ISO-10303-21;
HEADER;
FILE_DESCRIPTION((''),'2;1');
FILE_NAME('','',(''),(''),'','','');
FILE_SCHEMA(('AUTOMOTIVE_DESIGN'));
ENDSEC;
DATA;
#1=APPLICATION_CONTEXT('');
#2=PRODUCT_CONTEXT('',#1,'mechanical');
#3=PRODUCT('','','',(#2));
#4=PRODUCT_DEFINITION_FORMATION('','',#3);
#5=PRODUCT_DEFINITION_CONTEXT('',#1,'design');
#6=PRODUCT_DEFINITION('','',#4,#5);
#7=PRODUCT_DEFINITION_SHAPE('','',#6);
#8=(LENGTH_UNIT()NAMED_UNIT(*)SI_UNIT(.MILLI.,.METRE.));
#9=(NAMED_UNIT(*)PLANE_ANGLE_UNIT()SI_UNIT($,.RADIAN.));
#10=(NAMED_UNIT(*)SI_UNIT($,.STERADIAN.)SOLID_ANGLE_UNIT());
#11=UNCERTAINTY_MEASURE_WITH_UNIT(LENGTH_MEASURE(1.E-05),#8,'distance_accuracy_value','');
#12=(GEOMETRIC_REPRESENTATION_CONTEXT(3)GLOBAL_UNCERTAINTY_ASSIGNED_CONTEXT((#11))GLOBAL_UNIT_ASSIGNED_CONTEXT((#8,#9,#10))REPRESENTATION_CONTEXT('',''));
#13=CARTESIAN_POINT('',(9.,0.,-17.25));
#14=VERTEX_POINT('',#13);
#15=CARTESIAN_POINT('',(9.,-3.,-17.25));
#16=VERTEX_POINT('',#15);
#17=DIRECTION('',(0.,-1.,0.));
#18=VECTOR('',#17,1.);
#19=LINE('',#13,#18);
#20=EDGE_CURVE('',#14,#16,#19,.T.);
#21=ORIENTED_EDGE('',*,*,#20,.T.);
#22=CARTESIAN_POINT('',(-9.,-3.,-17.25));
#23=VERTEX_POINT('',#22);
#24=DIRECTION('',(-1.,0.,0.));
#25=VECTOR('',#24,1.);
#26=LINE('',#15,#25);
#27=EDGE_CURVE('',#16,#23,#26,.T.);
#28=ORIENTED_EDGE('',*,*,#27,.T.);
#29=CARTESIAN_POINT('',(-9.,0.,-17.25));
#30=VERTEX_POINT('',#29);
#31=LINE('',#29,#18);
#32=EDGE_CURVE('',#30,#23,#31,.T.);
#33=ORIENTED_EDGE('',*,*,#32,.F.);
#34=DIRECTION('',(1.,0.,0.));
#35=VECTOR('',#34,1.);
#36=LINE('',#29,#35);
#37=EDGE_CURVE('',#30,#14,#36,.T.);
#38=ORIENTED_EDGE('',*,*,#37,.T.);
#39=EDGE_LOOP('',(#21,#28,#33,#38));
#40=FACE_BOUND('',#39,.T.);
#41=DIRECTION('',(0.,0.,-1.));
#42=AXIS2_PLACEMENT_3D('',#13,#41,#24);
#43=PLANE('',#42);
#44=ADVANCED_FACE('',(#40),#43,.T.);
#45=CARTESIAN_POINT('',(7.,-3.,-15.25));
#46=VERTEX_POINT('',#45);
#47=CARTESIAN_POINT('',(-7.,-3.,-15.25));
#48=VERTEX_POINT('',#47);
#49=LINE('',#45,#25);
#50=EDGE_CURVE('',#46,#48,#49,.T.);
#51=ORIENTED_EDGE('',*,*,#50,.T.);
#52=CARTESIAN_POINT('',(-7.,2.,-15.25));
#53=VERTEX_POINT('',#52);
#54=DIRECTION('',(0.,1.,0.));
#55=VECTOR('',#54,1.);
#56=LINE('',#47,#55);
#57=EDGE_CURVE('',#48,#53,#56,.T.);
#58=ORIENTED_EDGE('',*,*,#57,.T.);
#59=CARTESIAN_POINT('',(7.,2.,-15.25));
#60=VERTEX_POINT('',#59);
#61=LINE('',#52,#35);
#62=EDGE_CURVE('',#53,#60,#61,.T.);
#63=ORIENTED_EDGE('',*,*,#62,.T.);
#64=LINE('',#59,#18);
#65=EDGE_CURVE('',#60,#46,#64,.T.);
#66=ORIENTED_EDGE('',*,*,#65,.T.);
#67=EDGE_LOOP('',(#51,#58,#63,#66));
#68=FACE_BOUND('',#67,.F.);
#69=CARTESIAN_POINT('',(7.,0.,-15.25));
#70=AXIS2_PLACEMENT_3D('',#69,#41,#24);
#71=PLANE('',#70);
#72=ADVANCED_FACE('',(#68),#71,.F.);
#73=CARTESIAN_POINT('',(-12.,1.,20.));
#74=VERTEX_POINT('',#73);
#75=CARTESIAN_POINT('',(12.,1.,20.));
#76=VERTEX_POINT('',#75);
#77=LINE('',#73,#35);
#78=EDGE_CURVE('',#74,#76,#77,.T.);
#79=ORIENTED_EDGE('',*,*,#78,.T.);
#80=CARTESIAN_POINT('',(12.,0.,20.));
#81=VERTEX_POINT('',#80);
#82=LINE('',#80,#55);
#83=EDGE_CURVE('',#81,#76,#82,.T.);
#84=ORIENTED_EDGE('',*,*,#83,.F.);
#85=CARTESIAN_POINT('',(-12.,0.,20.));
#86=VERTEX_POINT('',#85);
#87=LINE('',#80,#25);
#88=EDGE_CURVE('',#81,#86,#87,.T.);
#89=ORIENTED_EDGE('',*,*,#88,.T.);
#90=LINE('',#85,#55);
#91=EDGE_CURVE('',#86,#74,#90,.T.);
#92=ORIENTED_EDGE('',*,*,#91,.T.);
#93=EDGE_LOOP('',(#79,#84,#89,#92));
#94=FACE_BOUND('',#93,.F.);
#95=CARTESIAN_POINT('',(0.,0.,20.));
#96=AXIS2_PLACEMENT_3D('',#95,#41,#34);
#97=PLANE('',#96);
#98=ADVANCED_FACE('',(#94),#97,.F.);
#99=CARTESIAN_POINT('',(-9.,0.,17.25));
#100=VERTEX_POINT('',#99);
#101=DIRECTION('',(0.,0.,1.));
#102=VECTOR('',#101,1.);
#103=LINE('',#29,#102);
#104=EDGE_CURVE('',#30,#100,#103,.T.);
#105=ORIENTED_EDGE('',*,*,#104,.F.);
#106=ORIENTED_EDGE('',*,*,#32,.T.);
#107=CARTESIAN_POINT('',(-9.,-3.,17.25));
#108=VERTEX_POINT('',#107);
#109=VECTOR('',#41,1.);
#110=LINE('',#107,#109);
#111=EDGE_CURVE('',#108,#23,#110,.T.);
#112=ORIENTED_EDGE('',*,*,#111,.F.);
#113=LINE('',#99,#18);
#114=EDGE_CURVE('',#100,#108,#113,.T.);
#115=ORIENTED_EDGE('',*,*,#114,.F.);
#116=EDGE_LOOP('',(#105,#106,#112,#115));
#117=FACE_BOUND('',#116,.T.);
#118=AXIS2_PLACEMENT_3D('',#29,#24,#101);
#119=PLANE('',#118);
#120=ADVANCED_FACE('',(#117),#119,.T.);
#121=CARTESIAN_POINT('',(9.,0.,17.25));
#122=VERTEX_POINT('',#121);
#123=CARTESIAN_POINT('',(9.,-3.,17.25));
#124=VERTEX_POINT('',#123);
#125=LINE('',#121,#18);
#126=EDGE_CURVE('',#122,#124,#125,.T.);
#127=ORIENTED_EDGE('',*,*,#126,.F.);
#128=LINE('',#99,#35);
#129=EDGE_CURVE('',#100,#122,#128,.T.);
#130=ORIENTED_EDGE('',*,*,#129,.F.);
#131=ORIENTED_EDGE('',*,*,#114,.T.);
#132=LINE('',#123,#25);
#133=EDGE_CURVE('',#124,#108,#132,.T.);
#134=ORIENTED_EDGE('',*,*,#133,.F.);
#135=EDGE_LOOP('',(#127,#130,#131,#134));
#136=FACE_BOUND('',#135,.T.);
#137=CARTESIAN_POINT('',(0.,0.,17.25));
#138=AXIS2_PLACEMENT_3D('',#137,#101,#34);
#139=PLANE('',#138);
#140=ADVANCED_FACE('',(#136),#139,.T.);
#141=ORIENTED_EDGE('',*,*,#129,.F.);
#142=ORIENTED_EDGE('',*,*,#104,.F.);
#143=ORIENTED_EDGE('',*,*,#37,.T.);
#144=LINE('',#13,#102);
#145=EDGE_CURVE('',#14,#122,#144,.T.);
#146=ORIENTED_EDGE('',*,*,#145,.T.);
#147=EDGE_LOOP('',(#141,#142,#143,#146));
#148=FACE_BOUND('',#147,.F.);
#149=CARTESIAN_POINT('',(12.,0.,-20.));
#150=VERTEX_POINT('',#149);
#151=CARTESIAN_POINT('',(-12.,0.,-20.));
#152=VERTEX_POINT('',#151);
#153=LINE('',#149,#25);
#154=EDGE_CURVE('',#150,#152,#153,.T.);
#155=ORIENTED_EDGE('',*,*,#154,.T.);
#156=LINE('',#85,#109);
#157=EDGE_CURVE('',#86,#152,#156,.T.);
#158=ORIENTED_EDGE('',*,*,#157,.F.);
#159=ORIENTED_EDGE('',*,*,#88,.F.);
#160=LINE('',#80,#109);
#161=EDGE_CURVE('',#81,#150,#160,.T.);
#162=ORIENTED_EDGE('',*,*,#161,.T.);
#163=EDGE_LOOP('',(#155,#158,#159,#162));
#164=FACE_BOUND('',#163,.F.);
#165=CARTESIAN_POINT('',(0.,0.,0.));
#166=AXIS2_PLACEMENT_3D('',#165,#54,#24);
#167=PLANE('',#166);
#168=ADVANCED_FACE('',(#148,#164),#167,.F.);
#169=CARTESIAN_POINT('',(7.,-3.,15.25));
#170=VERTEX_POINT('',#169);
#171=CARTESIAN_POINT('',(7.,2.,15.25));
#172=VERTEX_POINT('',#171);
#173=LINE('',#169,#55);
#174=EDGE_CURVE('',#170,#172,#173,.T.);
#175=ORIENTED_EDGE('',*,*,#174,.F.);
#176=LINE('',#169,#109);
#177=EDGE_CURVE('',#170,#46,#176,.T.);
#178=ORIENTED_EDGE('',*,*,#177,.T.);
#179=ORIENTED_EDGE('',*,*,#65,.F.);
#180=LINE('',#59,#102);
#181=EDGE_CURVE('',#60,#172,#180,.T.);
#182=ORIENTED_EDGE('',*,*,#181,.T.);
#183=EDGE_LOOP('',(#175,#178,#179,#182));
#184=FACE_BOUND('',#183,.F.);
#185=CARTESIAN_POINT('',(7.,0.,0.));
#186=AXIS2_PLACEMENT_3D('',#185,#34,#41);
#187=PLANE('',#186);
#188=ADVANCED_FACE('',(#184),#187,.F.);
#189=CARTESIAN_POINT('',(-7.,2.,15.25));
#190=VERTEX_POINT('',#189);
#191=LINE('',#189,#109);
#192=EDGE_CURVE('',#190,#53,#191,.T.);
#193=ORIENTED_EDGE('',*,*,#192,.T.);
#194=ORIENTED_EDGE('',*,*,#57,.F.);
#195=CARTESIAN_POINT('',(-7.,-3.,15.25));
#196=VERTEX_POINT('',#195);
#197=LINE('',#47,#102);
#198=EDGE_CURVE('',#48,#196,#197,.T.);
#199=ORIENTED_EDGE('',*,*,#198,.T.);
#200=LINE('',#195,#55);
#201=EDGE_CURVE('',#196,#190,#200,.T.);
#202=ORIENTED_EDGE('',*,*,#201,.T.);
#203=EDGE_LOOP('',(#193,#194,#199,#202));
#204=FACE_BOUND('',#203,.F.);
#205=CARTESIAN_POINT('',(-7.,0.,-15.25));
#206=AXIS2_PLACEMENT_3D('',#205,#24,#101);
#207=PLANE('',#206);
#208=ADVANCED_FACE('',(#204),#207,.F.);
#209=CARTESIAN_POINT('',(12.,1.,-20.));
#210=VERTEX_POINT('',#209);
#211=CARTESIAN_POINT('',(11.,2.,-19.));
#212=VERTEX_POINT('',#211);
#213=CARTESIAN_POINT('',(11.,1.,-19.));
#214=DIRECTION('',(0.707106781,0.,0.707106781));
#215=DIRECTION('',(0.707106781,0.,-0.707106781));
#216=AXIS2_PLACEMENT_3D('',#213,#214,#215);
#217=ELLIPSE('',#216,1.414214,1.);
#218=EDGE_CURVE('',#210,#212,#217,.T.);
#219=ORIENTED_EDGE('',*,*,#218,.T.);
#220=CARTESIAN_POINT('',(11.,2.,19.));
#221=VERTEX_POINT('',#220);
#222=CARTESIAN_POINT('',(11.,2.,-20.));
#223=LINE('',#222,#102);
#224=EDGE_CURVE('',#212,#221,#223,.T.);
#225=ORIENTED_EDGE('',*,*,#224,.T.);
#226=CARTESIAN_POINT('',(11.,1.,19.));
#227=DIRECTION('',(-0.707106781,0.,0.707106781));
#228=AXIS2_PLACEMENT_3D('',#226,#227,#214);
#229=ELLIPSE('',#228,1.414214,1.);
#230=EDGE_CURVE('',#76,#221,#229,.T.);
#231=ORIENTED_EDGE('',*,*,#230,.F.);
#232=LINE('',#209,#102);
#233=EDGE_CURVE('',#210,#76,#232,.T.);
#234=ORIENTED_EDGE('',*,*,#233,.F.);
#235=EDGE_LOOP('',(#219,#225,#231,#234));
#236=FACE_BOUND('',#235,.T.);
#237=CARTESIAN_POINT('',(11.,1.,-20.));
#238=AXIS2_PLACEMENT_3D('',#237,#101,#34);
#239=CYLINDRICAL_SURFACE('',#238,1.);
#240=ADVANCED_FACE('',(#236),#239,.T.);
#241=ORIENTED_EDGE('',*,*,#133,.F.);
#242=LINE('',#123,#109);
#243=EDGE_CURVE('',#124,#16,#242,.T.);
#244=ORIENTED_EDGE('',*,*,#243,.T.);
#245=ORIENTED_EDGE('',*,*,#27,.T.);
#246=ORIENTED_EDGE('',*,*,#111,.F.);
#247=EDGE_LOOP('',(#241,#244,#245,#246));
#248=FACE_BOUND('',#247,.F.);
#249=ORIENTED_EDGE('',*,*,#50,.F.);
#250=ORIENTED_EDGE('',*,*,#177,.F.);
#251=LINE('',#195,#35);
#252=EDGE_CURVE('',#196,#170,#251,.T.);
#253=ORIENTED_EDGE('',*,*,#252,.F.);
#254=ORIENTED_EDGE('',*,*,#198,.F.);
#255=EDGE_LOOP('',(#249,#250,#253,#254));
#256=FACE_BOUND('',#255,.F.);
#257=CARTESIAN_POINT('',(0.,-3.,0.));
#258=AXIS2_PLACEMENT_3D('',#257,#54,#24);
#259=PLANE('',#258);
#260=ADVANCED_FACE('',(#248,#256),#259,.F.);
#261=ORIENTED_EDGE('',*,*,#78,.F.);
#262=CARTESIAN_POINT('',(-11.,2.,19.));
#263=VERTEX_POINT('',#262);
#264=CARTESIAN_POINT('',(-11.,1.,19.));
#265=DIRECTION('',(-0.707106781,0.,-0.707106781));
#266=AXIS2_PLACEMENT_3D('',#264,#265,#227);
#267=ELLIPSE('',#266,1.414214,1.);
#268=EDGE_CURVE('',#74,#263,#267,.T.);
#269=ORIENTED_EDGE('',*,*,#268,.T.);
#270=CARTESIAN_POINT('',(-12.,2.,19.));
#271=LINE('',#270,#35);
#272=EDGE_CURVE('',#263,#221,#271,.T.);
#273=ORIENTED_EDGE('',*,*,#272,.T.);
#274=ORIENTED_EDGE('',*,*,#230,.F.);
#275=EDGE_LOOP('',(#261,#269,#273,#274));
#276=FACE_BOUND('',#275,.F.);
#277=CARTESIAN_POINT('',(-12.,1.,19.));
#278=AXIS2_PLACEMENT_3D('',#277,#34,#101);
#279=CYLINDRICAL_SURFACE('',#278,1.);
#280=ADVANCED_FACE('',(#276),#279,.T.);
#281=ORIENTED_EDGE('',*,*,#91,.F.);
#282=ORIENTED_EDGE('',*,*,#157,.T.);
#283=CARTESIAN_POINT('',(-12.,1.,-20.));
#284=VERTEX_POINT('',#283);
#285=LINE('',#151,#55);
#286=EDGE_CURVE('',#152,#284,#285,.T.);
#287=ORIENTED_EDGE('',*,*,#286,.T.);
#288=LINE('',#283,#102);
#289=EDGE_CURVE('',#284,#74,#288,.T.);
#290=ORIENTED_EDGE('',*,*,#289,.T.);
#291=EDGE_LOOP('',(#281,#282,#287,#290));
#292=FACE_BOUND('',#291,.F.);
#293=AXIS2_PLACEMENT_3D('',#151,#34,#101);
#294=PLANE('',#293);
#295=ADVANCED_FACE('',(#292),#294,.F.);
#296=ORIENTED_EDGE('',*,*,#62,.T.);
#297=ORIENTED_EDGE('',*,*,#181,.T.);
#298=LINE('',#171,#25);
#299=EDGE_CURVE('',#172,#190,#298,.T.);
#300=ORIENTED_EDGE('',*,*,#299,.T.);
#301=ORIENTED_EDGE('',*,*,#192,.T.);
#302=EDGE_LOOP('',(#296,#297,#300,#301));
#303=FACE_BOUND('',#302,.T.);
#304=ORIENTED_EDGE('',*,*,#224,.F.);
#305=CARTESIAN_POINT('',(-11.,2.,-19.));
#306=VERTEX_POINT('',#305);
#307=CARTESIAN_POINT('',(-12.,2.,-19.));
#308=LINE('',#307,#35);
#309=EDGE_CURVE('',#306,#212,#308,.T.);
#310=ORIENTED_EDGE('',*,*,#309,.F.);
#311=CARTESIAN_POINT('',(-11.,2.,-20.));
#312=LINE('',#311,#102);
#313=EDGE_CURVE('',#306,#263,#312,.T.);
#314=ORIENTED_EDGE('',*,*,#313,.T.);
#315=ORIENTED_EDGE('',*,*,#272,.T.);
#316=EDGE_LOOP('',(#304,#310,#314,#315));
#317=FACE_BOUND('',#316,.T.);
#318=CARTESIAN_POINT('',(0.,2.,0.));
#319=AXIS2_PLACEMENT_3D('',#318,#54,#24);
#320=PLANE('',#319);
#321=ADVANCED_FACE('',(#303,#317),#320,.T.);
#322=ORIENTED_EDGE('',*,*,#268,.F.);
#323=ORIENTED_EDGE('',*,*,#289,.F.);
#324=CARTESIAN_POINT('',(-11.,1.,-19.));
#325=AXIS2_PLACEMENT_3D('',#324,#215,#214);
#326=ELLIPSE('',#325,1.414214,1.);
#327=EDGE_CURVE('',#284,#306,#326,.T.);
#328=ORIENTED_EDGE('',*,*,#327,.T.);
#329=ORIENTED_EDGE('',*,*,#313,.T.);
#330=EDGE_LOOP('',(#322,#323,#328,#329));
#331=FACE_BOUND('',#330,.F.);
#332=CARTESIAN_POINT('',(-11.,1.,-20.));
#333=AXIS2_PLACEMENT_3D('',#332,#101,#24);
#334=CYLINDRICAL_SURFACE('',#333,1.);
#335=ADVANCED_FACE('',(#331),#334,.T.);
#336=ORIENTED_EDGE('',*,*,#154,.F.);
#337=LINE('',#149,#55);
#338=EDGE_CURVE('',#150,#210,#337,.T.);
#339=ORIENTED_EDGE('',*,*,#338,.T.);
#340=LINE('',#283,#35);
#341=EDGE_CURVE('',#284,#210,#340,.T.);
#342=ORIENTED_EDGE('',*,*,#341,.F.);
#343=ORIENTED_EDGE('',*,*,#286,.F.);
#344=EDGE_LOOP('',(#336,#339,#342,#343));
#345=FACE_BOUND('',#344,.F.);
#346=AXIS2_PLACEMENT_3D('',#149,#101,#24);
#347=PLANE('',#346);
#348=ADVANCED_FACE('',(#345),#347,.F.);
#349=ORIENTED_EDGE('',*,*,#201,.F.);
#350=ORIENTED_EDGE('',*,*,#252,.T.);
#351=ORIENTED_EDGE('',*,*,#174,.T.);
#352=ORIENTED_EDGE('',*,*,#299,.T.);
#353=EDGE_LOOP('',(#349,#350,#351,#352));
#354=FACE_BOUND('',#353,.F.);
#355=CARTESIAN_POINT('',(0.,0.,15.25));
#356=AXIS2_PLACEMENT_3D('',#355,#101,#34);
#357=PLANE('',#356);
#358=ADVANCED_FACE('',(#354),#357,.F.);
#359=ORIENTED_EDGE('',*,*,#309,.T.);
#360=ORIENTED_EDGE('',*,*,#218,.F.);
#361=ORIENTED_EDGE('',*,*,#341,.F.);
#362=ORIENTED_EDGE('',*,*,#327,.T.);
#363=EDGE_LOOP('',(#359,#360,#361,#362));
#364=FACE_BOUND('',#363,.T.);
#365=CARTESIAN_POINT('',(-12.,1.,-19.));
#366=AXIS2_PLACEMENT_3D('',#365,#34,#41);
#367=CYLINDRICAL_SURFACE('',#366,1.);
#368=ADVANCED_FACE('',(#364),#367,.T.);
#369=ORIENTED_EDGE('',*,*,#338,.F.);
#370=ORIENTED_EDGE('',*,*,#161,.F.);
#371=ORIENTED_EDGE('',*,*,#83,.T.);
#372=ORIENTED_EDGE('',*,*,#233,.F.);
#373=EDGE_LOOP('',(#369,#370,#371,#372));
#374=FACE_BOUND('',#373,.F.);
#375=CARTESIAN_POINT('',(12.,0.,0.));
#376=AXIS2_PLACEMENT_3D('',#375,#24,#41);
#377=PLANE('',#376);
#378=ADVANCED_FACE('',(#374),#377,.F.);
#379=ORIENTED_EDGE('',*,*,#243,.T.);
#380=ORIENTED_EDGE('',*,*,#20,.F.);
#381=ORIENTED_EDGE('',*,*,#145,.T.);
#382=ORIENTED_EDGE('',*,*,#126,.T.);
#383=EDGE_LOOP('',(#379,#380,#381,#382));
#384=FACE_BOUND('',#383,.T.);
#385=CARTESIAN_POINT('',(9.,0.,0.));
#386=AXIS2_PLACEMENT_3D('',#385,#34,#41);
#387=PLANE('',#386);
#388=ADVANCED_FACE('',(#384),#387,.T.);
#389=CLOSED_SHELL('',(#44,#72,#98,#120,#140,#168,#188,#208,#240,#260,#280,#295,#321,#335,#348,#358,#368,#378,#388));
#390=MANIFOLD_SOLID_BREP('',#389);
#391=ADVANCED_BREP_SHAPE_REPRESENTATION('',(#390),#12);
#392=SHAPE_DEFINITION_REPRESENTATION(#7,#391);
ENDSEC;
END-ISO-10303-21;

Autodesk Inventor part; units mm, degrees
ref_plane "YZ Plane" through (0, 0, 0) normal (1, 0, 0) x (0, 1, 0)
ref_plane "XZ Plane" through (0, 0, 0) normal (0, 1, 0) x (-1, 0, 0)
ref_plane "XY Plane" through (0, 0, 0) normal (0, 0, 1) x (1, 0, 0)
sketch "Sketch1" plane through (0, 0, 0) normal (0, 1, 0) x (-1, 0, 0)
  line L0 (0, -28) -> (0, 28) projected
  line L1 (16.8, 0) -> (-16.8, 0) projected
  line L2 (7, 15.25) -> (-7, 15.25)
  line L3 (-7, 15.25) -> (-7, -15.25)
  line L4 (-7, -15.25) -> (7, -15.25)
  line L5 (7, -15.25) -> (7, 15.25)
  line L6 (9, 17.25) -> (-9, 17.25)
  line L7 (-9, 17.25) -> (-9, -17.25)
  line L8 (-9, -17.25) -> (9, -17.25)
  line L9 (9, -17.25) -> (9, 17.25)
  line L10 (12, 20) -> (-12, 20)
  line L11 (-12, 20) -> (-12, -20)
  line L12 (-12, -20) -> (12, -20)
  line L13 (12, -20) -> (12, 20)
  point P0 (0, 0)
  dimension "d0" = 14
  dimension "d1" = 30.5
  dimension "d2" = 2
  dimension "d3" = 24
  dimension "d4" = 40
extrude "Extrusion1" add sketch "Sketch1" against normal blind 3 contours L8 L7 L1 L3 L4 L0 | L0 L4 L5 L1 L9 L8 | L7 L6 L0 L2 L3 L1 | L1 L5 L2 L0 L6 L9
extrude "Extrusion2" add sketch "Sketch1" along normal blind 2 contours L12 L11 L1 L7 L8 L0 | L0 L8 L9 L1 L13 L12 | L8 L7 L1 L3 L4 L0 | L0 L4 L5 L1 L9 L8 | L11 L10 L0 L6 L7 L1 | L1 L9 L6 L0 L10 L13 | L7 L6 L0 L2 L3 L1 | L1 L5 L2 L0 L6 L9
fillet "Fillet1" radius 1 4 edges at (-12, 2, 0) (0, 2, -20) (12, 2, 0) (0, 2, 20)
properties part number "Ramecek_3DPrint"
